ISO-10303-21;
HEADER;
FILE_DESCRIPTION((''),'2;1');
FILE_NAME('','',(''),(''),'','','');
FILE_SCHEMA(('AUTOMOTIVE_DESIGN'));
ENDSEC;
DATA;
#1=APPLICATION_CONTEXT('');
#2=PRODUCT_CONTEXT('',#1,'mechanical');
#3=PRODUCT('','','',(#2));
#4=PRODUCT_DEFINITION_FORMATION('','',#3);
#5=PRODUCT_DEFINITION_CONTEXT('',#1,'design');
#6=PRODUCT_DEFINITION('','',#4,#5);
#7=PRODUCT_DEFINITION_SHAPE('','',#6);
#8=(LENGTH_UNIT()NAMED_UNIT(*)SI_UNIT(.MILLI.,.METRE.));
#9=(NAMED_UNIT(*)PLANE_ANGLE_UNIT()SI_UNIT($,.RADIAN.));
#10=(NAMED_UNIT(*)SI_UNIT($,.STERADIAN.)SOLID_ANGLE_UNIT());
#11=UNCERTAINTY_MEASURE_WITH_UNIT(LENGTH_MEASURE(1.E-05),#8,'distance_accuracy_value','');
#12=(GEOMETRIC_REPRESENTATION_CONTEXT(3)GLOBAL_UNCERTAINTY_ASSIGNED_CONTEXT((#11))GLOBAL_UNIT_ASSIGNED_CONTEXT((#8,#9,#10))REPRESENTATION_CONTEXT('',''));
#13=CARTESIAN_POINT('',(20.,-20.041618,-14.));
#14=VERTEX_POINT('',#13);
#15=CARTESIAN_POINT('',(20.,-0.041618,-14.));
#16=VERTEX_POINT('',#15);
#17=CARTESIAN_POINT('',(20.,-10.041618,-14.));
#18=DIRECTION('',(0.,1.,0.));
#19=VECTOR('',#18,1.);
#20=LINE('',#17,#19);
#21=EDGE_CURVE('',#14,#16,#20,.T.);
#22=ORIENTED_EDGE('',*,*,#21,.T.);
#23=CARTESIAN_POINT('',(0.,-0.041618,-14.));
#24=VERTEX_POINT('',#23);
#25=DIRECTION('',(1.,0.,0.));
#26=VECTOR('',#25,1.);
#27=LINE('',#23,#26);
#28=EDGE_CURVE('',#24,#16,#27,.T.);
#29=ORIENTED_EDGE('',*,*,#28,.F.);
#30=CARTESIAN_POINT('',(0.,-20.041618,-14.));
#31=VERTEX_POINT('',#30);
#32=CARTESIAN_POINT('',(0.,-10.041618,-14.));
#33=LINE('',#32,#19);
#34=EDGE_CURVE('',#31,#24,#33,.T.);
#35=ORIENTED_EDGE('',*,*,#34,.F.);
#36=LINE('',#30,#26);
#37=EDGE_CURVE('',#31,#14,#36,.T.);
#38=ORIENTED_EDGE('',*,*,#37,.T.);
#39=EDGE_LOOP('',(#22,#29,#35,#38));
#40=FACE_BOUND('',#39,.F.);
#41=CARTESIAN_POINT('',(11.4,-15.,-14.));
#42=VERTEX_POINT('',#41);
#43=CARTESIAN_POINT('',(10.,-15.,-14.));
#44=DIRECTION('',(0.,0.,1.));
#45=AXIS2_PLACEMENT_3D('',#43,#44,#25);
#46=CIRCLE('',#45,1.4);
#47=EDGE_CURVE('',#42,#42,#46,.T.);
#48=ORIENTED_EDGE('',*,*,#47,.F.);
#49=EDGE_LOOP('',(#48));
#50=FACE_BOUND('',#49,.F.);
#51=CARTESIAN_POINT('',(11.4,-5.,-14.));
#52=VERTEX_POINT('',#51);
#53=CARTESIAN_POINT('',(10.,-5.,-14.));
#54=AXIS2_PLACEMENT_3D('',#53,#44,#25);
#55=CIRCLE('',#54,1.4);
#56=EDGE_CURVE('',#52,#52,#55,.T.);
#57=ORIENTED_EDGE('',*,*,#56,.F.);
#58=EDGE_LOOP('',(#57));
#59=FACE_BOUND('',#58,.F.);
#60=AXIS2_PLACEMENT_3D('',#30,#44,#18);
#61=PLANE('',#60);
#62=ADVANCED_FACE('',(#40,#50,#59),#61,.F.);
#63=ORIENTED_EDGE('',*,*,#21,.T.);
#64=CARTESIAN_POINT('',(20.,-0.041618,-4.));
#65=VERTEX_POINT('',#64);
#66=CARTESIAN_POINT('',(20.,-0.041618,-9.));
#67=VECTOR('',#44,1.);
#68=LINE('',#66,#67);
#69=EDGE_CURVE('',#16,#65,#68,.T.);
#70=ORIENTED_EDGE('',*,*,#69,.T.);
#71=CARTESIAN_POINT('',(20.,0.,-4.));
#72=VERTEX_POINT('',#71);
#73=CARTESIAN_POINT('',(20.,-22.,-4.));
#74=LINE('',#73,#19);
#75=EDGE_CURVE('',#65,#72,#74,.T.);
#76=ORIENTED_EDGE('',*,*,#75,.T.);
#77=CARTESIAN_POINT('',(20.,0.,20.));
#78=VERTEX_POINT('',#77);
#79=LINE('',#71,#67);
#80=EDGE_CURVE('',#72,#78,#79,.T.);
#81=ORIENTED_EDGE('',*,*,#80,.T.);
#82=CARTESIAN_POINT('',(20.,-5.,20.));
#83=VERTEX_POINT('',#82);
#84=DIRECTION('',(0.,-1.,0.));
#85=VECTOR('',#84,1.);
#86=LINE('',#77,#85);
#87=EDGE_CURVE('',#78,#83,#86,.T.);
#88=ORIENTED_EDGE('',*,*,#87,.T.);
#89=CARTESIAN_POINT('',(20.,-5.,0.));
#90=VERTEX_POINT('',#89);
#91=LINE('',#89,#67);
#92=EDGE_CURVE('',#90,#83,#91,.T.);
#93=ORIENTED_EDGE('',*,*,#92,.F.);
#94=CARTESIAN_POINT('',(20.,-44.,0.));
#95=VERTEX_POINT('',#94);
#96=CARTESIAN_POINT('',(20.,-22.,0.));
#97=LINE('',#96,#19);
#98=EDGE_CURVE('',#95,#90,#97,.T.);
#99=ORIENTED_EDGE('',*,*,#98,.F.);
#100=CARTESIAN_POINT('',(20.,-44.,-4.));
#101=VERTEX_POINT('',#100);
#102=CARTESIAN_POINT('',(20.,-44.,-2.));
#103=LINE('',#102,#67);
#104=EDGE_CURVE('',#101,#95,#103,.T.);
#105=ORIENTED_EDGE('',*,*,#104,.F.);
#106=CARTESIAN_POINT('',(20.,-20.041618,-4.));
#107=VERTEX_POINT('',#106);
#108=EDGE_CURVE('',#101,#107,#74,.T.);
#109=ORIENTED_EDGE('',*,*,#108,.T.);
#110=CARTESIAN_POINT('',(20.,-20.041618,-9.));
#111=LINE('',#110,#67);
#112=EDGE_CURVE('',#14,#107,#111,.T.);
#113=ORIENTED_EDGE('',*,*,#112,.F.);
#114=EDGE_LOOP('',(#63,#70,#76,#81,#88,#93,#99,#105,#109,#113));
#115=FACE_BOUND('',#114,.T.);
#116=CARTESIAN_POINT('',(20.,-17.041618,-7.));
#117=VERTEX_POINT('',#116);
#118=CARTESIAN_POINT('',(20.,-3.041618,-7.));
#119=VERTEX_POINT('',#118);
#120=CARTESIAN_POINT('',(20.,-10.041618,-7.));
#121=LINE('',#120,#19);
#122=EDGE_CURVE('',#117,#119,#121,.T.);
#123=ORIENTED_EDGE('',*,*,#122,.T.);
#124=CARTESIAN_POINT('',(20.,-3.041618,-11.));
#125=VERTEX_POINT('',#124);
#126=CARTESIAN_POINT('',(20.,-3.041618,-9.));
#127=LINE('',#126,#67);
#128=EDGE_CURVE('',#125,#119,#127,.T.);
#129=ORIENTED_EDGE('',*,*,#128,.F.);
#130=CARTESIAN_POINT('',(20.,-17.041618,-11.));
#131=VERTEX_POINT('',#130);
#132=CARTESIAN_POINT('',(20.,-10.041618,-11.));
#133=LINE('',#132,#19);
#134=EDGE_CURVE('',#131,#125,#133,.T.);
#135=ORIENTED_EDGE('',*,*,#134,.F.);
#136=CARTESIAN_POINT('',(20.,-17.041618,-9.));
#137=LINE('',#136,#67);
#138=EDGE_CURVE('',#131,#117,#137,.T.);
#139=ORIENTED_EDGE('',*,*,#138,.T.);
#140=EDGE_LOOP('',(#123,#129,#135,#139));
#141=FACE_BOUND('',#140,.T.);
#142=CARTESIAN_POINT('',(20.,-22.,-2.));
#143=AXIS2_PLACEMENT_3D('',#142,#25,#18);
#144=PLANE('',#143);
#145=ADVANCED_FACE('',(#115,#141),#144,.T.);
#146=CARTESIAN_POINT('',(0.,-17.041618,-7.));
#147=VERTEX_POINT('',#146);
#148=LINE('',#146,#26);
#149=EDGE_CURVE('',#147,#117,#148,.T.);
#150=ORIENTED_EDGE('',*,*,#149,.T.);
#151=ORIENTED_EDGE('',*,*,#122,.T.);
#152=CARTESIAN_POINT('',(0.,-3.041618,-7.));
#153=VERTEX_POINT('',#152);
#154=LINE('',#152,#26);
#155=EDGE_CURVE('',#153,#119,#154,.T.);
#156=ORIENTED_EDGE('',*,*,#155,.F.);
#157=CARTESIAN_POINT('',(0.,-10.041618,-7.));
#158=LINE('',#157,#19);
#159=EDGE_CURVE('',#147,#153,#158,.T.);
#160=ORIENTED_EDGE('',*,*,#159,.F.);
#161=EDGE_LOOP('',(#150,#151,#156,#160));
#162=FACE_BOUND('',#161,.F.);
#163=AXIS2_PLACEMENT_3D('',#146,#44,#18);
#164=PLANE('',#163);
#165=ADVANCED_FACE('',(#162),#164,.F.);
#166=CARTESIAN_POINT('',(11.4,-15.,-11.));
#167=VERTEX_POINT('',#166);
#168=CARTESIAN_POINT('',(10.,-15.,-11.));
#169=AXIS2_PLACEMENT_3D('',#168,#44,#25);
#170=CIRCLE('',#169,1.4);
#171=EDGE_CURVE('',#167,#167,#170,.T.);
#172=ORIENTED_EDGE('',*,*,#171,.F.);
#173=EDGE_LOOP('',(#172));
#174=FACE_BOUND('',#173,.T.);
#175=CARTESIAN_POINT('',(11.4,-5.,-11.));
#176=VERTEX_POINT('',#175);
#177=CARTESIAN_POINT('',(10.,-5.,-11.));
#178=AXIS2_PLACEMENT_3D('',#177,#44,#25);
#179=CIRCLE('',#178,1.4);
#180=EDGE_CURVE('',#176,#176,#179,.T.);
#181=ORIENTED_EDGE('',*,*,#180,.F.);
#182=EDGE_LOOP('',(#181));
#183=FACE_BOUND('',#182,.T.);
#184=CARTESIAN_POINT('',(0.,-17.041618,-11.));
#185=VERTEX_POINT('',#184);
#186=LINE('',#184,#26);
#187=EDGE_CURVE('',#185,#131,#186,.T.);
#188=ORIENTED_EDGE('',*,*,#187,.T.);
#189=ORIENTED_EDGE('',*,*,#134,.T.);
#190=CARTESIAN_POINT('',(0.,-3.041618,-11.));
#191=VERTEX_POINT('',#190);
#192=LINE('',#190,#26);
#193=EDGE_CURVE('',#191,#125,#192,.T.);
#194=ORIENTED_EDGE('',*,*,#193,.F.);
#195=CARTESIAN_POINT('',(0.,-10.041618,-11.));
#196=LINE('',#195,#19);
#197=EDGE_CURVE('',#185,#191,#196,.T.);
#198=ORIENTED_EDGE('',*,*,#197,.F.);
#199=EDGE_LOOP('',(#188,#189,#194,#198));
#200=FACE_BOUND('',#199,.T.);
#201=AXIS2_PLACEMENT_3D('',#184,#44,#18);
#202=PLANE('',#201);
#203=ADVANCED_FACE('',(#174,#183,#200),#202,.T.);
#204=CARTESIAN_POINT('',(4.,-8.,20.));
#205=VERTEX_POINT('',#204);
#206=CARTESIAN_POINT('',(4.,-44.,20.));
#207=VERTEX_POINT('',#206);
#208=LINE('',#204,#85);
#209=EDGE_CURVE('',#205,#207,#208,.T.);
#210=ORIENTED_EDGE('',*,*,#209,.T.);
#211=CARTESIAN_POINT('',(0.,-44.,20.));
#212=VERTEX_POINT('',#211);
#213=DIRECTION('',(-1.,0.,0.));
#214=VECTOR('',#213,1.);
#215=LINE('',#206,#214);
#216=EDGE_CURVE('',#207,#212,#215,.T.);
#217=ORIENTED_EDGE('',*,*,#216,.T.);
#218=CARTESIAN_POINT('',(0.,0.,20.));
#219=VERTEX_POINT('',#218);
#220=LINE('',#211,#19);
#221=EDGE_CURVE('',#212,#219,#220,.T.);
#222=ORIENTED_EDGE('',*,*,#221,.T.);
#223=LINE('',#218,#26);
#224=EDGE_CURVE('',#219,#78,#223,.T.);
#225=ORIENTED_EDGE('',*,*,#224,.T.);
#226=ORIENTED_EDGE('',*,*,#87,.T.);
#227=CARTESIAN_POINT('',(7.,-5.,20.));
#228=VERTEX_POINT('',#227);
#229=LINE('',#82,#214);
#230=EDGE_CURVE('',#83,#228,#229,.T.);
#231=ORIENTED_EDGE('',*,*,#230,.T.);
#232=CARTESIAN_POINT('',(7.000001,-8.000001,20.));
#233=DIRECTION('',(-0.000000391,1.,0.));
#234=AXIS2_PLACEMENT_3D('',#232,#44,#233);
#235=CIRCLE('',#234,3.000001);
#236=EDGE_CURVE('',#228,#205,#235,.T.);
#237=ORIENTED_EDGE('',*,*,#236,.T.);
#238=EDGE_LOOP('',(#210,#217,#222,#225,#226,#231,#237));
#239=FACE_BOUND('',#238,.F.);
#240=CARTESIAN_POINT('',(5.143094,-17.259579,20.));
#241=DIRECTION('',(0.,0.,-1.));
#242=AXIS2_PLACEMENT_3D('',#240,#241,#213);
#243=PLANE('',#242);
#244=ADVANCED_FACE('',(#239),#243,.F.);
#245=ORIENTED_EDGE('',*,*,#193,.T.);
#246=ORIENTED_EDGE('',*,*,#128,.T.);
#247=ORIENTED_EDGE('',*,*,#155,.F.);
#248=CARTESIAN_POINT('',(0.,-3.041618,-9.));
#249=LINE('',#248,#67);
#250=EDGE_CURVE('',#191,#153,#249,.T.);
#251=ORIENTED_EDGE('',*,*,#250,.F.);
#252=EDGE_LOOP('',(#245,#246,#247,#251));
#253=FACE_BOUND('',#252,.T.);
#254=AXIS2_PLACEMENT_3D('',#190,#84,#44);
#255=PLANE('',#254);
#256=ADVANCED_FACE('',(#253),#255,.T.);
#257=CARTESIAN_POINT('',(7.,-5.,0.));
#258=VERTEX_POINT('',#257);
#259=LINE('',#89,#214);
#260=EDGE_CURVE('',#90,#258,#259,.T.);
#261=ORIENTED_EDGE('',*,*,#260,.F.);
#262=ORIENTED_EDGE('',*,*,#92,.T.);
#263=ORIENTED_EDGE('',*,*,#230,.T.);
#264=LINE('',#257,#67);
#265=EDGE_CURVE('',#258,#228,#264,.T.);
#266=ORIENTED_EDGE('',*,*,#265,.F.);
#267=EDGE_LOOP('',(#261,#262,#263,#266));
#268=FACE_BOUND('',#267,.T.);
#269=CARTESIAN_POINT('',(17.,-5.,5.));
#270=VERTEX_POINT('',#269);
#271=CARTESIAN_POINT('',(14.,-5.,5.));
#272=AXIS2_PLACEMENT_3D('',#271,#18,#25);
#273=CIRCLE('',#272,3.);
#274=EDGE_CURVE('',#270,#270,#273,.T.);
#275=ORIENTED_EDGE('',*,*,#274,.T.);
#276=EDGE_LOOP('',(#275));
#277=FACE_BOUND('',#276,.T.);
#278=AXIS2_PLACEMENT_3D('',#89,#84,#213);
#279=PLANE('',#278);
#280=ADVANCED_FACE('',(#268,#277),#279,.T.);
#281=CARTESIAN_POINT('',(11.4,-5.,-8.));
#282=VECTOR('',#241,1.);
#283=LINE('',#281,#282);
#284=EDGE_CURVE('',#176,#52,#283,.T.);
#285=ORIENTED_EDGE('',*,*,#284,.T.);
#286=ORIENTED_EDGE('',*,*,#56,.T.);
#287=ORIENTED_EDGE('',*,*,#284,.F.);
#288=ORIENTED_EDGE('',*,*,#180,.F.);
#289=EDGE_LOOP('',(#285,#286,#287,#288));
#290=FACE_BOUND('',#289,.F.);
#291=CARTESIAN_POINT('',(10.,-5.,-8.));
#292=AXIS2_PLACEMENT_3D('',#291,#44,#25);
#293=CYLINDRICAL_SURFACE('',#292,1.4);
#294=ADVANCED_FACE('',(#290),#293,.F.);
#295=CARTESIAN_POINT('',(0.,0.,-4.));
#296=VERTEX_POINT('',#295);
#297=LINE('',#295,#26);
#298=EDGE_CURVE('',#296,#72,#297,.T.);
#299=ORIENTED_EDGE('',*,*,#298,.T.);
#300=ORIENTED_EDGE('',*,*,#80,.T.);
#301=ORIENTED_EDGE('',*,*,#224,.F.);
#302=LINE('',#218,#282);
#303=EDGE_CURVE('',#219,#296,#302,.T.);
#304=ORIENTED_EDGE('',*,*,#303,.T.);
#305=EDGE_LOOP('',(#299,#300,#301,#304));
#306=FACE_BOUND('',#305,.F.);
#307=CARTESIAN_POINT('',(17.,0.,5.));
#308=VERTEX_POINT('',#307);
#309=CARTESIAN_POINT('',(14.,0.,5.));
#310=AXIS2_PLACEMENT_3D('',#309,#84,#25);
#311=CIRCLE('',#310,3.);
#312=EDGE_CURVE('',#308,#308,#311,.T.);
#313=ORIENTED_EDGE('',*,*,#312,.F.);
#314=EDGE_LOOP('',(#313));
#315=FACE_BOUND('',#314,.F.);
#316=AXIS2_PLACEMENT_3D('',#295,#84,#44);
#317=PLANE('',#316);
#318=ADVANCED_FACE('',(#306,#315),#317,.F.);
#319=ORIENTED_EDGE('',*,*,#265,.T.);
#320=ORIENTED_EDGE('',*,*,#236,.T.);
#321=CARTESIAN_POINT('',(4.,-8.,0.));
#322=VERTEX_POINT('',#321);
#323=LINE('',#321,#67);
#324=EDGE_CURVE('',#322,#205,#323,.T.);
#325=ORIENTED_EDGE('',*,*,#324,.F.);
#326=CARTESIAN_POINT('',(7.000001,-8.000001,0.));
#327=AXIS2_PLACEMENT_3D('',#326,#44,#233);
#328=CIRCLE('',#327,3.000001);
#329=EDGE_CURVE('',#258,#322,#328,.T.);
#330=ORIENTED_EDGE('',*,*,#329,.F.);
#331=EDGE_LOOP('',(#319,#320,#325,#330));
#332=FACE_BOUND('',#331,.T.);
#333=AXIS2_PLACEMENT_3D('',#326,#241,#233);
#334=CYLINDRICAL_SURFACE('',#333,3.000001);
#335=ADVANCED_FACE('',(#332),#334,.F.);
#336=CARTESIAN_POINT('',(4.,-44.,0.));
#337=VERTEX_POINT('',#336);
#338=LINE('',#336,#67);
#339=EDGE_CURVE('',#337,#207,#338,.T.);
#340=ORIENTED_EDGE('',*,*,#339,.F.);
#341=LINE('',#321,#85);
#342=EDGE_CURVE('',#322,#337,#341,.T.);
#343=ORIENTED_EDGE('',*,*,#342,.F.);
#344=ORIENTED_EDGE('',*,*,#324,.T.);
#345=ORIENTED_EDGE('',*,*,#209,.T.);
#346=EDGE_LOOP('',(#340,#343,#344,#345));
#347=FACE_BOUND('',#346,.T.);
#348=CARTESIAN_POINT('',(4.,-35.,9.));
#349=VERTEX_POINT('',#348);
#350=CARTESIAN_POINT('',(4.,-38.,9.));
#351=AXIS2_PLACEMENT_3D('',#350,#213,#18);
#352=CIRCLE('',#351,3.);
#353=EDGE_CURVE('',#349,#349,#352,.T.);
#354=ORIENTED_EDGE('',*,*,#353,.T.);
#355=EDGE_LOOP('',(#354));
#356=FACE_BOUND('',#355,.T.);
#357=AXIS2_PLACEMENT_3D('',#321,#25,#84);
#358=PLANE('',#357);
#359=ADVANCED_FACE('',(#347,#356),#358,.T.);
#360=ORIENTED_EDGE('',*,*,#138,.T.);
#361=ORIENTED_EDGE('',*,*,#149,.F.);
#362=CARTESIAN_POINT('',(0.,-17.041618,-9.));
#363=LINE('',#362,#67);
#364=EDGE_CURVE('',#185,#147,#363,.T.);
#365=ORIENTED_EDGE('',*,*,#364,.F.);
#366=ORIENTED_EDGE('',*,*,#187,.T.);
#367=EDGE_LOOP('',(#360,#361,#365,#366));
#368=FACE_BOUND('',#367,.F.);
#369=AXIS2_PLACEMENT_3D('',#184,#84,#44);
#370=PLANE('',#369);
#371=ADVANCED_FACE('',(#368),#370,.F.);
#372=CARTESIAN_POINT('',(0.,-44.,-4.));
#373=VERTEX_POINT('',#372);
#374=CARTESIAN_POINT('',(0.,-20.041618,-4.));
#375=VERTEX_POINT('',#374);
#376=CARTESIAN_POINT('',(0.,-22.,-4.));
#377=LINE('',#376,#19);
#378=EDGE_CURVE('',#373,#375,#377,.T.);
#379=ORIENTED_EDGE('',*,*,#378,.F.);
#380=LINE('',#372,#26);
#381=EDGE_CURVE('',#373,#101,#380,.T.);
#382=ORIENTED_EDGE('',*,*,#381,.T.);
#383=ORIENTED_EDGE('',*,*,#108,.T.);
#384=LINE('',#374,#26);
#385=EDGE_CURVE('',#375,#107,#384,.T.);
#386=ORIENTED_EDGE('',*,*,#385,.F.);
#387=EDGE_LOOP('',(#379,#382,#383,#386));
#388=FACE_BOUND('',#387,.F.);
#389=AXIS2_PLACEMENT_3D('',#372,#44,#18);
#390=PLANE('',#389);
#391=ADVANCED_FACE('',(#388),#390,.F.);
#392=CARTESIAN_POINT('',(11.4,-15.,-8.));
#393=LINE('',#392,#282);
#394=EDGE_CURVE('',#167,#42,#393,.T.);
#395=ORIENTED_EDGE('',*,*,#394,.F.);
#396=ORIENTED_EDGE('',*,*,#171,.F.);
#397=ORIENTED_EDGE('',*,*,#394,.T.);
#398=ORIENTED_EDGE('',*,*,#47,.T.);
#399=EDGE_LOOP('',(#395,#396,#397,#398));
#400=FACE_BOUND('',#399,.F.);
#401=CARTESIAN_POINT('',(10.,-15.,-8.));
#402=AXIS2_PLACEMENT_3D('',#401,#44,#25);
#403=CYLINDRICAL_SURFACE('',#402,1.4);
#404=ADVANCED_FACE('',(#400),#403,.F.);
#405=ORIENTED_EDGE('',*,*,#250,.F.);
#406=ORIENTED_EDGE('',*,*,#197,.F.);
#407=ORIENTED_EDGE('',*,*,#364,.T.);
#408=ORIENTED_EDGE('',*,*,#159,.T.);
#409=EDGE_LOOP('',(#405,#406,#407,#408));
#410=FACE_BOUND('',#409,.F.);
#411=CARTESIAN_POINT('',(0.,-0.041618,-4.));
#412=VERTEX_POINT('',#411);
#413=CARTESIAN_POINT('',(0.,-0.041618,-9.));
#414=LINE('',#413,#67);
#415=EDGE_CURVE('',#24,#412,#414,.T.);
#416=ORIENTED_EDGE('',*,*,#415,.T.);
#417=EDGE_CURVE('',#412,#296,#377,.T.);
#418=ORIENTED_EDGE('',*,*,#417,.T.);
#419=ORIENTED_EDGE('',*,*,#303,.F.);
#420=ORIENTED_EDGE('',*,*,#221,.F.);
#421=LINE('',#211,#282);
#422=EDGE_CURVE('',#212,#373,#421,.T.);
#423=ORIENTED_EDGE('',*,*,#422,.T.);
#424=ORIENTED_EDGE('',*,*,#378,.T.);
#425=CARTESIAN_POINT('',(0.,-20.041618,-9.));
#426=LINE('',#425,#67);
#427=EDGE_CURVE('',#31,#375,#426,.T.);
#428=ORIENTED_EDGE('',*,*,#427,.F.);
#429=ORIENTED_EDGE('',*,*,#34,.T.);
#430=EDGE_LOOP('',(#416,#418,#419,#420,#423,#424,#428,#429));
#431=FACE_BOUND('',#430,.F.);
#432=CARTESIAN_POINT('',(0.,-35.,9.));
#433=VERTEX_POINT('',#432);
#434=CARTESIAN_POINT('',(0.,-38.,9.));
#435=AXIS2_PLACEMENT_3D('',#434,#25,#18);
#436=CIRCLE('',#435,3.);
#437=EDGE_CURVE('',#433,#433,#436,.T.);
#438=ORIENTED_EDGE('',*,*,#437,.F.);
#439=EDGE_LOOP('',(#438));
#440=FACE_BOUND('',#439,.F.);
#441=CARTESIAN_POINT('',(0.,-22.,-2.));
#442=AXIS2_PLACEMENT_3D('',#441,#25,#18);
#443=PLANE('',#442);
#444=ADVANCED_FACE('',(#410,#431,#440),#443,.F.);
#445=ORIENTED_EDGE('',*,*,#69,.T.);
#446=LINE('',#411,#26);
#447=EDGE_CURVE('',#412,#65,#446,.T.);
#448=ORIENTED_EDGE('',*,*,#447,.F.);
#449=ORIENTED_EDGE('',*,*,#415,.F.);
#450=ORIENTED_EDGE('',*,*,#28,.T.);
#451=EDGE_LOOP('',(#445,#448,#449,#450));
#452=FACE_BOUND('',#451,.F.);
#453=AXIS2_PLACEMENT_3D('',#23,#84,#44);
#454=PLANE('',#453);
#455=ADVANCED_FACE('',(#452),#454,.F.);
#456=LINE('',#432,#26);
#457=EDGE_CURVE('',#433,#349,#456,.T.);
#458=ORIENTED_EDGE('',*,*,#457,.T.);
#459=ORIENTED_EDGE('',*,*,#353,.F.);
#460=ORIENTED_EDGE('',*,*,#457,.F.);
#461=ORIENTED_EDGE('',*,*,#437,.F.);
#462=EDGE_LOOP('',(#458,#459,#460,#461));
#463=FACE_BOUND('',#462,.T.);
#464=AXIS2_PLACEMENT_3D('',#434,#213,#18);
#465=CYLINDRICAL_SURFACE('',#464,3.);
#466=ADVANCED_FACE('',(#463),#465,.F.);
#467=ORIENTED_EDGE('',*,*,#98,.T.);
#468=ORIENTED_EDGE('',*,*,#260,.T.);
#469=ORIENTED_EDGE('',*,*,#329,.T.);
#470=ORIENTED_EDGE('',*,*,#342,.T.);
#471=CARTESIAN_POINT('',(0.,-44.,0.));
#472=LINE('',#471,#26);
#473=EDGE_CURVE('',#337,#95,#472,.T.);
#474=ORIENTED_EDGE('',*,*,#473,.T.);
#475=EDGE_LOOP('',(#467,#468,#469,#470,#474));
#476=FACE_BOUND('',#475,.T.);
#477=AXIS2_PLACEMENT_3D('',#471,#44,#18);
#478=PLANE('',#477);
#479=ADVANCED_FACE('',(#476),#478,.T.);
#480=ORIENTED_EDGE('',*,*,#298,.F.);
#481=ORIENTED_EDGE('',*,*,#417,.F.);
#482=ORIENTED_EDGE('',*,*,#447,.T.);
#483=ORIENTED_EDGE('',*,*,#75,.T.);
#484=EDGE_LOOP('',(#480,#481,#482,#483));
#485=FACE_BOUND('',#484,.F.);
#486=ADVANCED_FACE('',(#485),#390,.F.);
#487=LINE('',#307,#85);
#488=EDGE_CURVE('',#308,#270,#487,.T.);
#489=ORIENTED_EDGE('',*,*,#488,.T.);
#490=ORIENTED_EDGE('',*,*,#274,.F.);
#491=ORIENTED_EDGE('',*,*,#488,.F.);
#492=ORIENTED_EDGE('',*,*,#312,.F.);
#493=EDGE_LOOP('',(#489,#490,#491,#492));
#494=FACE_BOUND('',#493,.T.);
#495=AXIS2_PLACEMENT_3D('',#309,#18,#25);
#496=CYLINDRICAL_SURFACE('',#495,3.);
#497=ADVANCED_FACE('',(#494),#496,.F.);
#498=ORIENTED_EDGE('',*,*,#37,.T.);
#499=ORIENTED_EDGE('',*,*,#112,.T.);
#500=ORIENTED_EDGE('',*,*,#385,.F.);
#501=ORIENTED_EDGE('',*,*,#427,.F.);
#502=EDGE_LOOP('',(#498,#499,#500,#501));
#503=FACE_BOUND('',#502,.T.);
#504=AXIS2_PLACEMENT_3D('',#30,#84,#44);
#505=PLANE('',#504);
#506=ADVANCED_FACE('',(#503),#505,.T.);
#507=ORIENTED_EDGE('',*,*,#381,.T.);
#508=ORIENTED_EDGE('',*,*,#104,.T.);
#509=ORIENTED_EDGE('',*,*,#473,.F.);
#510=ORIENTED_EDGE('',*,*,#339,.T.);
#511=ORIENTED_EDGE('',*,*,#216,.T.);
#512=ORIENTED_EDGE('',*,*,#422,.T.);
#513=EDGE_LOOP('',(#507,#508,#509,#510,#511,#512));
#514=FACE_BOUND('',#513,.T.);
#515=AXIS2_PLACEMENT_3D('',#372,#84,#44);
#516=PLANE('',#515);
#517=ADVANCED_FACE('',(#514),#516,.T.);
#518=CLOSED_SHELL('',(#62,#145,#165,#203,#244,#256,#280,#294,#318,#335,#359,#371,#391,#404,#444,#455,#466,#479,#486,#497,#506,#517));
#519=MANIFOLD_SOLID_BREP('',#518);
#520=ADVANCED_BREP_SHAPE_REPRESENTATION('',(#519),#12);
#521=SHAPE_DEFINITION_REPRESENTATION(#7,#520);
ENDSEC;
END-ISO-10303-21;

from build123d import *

# Parameters (mm, degrees)
PAD023_DEPTH    = 20
SKETCH041_R     = 3
POCKET012_DEPTH = 44.001
SKETCH042_R     = 3
POCKET013_DEPTH = 5
SKETCH044_W     = 44
SKETCH044_H     = 4
PAD025_DEPTH    = 20
SKETCH045_W     = 20
SKETCH045_H     = 10
SKETCH045_W_2   = 14
SKETCH045_H_2   = 4
PAD026_DEPTH    = 20
SKETCH046_R     = 1.4
POCKET014_DEPTH = 6.001


with BuildPart() as part:
    # Sketch040 → Pad023 (new body)
    with BuildSketch(Plane.XY):
        with BuildLine():
            Line((0, -44), (0, 0))
            Line((0, 0), (20, 0))
            Line((20, 0), (20, -5))
            Line((20, -5), (7, -5))
            ThreePointArc((7, -5), (4.87868, -5.87868), (4, -8))
            Line((4, -8), (4, -44))
            Line((4, -44), (0, -44))
        make_face()
    extrude(amount=PAD023_DEPTH)

    # Sketch041 → Pocket012 (cut, through all)
    with BuildSketch(Plane.XZ):
        with Locations((14, 5)):
            Circle(SKETCH041_R)
    extrude(amount=POCKET012_DEPTH, mode=Mode.SUBTRACT)

    # Sketch042 → Pocket013 (cut)
    with BuildSketch(Plane.YZ):
        with Locations((-38, 9)):
            Circle(SKETCH042_R)
    extrude(amount=POCKET013_DEPTH, mode=Mode.SUBTRACT)

    # Sketch044 → Pad025 (join)
    with BuildSketch(Plane.YZ):
        with Locations((-22, -2)):
            Rectangle(SKETCH044_W, SKETCH044_H)
    extrude(amount=PAD025_DEPTH)

    # Sketch045 → Pad026 (join)
    with BuildSketch(Plane.YZ):
        with Locations((-10.041618, -9)):
            Rectangle(SKETCH045_W, SKETCH045_H)
        with Locations((-10.041618, -9)):
            Rectangle(SKETCH045_W_2, SKETCH045_H_2, mode=Mode.SUBTRACT)
    extrude(amount=PAD026_DEPTH)

    # Sketch046 → Pocket014 (cut, through all)
    with BuildSketch(Plane.XY.offset(-8)):
        with Locations((10, -15)):
            Circle(SKETCH046_R)
        with Locations((10, -5)):
            Circle(SKETCH046_R)
    extrude(amount=-POCKET014_DEPTH, mode=Mode.SUBTRACT)


solid = part.part
